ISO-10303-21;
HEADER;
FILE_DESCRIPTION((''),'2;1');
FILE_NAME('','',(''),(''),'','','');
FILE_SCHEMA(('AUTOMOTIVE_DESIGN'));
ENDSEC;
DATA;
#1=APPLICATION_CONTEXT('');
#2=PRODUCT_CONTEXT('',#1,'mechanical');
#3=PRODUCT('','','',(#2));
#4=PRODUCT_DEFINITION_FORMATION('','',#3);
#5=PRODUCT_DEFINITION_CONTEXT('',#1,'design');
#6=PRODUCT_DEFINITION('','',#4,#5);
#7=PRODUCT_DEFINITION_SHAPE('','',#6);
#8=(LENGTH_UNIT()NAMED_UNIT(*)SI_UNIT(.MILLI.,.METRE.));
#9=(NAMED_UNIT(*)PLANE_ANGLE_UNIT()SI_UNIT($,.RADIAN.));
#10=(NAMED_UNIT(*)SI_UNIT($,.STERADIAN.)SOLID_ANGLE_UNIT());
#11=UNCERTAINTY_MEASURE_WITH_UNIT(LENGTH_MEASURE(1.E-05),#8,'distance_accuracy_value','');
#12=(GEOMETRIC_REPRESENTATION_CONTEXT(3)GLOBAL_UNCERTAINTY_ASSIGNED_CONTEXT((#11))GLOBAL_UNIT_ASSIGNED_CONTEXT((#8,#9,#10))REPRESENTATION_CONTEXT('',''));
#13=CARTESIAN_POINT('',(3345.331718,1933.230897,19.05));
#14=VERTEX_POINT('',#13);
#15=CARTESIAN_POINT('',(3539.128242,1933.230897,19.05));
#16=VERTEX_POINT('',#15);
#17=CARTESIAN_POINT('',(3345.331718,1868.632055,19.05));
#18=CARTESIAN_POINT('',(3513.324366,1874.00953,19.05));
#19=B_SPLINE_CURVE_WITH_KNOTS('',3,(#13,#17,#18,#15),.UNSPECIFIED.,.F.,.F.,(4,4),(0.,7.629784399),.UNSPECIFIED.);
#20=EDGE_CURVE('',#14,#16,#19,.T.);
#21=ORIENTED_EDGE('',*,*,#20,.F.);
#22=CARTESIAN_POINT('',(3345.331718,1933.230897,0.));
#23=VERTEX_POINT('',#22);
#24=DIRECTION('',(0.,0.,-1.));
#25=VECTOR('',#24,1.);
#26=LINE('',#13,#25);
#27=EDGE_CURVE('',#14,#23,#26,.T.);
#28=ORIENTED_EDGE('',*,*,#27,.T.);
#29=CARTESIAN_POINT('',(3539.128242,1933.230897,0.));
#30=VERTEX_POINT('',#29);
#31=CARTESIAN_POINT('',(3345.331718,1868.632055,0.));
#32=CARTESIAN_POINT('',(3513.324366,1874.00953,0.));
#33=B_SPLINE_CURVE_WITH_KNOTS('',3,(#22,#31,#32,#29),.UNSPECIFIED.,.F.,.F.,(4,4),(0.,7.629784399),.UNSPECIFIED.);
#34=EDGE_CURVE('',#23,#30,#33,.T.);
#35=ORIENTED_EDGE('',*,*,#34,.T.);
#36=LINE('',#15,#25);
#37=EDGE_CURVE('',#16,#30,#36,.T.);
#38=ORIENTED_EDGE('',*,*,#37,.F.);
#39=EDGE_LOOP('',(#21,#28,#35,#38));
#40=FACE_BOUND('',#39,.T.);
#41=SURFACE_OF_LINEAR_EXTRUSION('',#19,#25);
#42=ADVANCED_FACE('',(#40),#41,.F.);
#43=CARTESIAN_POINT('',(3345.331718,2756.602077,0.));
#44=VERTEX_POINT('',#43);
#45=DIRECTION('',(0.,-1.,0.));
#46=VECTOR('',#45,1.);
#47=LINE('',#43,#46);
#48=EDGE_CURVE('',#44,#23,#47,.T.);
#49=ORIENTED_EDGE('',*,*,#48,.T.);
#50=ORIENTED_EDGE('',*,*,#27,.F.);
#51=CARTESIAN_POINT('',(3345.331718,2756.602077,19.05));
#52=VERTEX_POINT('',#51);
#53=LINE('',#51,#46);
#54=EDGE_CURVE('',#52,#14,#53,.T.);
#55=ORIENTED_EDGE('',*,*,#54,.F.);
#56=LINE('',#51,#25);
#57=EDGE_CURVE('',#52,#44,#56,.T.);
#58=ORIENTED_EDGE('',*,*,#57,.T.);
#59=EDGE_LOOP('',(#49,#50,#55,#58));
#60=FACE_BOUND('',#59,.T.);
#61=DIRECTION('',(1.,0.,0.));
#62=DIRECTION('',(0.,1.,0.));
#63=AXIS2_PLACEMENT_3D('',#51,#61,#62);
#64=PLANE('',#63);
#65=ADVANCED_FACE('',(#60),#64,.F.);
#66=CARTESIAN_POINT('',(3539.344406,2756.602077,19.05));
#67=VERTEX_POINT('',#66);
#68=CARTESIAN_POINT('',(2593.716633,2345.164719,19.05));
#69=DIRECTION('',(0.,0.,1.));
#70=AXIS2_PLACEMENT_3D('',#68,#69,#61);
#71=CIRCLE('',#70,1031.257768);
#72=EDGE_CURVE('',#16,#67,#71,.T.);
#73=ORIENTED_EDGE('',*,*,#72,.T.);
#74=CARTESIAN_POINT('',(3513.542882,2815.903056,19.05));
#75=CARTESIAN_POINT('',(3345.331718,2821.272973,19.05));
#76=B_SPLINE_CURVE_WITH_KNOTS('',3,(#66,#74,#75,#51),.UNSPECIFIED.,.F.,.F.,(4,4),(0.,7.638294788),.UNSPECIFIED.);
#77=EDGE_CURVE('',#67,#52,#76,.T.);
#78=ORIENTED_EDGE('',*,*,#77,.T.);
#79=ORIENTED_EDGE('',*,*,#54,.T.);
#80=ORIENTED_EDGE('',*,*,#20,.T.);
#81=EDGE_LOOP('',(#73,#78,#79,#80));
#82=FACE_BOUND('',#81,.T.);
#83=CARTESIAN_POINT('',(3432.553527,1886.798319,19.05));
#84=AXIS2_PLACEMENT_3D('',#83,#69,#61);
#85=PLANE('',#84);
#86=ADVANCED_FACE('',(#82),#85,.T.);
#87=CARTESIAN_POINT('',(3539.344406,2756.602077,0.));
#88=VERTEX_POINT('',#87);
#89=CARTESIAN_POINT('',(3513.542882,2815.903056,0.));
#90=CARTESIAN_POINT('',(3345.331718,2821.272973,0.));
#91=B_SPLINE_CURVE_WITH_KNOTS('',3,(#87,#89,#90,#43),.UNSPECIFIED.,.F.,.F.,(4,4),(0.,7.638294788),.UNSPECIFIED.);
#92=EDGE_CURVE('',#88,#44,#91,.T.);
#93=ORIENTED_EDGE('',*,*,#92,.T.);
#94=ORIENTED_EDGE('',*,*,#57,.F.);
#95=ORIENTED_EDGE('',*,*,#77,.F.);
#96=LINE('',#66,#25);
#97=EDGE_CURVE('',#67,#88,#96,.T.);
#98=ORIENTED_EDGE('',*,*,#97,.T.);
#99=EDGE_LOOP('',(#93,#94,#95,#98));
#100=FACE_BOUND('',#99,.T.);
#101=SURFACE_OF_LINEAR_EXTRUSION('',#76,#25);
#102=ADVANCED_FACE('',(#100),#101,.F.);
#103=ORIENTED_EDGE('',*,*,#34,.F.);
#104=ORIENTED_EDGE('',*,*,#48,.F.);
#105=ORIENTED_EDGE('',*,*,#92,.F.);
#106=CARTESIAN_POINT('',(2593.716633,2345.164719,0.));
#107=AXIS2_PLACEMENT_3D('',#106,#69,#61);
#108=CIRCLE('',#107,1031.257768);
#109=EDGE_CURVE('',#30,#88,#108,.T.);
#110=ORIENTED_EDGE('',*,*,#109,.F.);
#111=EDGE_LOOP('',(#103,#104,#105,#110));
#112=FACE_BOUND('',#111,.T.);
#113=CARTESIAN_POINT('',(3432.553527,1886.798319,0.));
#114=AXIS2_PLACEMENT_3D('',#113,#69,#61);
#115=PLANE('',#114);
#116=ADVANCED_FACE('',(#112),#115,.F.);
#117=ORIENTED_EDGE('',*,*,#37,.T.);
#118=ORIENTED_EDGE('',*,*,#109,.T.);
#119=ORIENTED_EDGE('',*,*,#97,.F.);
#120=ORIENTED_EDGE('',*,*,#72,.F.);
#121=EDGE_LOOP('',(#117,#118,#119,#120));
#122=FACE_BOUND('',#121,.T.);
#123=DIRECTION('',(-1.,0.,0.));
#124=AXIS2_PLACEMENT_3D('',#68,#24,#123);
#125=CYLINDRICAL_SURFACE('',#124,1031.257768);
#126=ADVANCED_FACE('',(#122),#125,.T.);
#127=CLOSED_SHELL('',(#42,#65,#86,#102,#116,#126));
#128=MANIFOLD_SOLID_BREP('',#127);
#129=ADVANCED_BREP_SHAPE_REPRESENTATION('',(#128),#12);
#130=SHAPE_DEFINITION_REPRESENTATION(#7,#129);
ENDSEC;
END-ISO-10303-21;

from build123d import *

# Parameters (mm, degrees)
BOSS_EXTRUDE1_DEPTH = 19.05


with BuildPart() as part:
    # Sketch1 → Boss-Extrude1 (new body)
    with BuildSketch(Plane.XY):
        with BuildLine():
            Line((3345.331718462, 2756.602076766), (3345.331718462, 1933.230896671))
            add(Edge.make_bspline(
                [(3539.128242207, 1933.230896671), (3513.324366189, 1874.009529977), (3345.331718462, 1868.632055422), (3345.331718462, 1933.230896671)],
                knots=[0, 0, 0, 0, 7.629784399, 7.629784399, 7.629784399, 7.629784399], degree=3))
            ThreePointArc((3539.128242207, 1933.230896671), (3624.974365803, 2344.893977469), (3539.344406076, 2756.602076766))
            add(Edge.make_bspline(
                [(3539.344406076, 2756.602076766), (3513.542881609, 2815.903055746), (3345.331718462, 2821.272972638), (3345.331718462, 2756.602076766)],
                knots=[0, 0, 0, 0, 7.638294788, 7.638294788, 7.638294788, 7.638294788], degree=3))
        make_face()
    extrude(amount=BOSS_EXTRUDE1_DEPTH)


solid = part.part
